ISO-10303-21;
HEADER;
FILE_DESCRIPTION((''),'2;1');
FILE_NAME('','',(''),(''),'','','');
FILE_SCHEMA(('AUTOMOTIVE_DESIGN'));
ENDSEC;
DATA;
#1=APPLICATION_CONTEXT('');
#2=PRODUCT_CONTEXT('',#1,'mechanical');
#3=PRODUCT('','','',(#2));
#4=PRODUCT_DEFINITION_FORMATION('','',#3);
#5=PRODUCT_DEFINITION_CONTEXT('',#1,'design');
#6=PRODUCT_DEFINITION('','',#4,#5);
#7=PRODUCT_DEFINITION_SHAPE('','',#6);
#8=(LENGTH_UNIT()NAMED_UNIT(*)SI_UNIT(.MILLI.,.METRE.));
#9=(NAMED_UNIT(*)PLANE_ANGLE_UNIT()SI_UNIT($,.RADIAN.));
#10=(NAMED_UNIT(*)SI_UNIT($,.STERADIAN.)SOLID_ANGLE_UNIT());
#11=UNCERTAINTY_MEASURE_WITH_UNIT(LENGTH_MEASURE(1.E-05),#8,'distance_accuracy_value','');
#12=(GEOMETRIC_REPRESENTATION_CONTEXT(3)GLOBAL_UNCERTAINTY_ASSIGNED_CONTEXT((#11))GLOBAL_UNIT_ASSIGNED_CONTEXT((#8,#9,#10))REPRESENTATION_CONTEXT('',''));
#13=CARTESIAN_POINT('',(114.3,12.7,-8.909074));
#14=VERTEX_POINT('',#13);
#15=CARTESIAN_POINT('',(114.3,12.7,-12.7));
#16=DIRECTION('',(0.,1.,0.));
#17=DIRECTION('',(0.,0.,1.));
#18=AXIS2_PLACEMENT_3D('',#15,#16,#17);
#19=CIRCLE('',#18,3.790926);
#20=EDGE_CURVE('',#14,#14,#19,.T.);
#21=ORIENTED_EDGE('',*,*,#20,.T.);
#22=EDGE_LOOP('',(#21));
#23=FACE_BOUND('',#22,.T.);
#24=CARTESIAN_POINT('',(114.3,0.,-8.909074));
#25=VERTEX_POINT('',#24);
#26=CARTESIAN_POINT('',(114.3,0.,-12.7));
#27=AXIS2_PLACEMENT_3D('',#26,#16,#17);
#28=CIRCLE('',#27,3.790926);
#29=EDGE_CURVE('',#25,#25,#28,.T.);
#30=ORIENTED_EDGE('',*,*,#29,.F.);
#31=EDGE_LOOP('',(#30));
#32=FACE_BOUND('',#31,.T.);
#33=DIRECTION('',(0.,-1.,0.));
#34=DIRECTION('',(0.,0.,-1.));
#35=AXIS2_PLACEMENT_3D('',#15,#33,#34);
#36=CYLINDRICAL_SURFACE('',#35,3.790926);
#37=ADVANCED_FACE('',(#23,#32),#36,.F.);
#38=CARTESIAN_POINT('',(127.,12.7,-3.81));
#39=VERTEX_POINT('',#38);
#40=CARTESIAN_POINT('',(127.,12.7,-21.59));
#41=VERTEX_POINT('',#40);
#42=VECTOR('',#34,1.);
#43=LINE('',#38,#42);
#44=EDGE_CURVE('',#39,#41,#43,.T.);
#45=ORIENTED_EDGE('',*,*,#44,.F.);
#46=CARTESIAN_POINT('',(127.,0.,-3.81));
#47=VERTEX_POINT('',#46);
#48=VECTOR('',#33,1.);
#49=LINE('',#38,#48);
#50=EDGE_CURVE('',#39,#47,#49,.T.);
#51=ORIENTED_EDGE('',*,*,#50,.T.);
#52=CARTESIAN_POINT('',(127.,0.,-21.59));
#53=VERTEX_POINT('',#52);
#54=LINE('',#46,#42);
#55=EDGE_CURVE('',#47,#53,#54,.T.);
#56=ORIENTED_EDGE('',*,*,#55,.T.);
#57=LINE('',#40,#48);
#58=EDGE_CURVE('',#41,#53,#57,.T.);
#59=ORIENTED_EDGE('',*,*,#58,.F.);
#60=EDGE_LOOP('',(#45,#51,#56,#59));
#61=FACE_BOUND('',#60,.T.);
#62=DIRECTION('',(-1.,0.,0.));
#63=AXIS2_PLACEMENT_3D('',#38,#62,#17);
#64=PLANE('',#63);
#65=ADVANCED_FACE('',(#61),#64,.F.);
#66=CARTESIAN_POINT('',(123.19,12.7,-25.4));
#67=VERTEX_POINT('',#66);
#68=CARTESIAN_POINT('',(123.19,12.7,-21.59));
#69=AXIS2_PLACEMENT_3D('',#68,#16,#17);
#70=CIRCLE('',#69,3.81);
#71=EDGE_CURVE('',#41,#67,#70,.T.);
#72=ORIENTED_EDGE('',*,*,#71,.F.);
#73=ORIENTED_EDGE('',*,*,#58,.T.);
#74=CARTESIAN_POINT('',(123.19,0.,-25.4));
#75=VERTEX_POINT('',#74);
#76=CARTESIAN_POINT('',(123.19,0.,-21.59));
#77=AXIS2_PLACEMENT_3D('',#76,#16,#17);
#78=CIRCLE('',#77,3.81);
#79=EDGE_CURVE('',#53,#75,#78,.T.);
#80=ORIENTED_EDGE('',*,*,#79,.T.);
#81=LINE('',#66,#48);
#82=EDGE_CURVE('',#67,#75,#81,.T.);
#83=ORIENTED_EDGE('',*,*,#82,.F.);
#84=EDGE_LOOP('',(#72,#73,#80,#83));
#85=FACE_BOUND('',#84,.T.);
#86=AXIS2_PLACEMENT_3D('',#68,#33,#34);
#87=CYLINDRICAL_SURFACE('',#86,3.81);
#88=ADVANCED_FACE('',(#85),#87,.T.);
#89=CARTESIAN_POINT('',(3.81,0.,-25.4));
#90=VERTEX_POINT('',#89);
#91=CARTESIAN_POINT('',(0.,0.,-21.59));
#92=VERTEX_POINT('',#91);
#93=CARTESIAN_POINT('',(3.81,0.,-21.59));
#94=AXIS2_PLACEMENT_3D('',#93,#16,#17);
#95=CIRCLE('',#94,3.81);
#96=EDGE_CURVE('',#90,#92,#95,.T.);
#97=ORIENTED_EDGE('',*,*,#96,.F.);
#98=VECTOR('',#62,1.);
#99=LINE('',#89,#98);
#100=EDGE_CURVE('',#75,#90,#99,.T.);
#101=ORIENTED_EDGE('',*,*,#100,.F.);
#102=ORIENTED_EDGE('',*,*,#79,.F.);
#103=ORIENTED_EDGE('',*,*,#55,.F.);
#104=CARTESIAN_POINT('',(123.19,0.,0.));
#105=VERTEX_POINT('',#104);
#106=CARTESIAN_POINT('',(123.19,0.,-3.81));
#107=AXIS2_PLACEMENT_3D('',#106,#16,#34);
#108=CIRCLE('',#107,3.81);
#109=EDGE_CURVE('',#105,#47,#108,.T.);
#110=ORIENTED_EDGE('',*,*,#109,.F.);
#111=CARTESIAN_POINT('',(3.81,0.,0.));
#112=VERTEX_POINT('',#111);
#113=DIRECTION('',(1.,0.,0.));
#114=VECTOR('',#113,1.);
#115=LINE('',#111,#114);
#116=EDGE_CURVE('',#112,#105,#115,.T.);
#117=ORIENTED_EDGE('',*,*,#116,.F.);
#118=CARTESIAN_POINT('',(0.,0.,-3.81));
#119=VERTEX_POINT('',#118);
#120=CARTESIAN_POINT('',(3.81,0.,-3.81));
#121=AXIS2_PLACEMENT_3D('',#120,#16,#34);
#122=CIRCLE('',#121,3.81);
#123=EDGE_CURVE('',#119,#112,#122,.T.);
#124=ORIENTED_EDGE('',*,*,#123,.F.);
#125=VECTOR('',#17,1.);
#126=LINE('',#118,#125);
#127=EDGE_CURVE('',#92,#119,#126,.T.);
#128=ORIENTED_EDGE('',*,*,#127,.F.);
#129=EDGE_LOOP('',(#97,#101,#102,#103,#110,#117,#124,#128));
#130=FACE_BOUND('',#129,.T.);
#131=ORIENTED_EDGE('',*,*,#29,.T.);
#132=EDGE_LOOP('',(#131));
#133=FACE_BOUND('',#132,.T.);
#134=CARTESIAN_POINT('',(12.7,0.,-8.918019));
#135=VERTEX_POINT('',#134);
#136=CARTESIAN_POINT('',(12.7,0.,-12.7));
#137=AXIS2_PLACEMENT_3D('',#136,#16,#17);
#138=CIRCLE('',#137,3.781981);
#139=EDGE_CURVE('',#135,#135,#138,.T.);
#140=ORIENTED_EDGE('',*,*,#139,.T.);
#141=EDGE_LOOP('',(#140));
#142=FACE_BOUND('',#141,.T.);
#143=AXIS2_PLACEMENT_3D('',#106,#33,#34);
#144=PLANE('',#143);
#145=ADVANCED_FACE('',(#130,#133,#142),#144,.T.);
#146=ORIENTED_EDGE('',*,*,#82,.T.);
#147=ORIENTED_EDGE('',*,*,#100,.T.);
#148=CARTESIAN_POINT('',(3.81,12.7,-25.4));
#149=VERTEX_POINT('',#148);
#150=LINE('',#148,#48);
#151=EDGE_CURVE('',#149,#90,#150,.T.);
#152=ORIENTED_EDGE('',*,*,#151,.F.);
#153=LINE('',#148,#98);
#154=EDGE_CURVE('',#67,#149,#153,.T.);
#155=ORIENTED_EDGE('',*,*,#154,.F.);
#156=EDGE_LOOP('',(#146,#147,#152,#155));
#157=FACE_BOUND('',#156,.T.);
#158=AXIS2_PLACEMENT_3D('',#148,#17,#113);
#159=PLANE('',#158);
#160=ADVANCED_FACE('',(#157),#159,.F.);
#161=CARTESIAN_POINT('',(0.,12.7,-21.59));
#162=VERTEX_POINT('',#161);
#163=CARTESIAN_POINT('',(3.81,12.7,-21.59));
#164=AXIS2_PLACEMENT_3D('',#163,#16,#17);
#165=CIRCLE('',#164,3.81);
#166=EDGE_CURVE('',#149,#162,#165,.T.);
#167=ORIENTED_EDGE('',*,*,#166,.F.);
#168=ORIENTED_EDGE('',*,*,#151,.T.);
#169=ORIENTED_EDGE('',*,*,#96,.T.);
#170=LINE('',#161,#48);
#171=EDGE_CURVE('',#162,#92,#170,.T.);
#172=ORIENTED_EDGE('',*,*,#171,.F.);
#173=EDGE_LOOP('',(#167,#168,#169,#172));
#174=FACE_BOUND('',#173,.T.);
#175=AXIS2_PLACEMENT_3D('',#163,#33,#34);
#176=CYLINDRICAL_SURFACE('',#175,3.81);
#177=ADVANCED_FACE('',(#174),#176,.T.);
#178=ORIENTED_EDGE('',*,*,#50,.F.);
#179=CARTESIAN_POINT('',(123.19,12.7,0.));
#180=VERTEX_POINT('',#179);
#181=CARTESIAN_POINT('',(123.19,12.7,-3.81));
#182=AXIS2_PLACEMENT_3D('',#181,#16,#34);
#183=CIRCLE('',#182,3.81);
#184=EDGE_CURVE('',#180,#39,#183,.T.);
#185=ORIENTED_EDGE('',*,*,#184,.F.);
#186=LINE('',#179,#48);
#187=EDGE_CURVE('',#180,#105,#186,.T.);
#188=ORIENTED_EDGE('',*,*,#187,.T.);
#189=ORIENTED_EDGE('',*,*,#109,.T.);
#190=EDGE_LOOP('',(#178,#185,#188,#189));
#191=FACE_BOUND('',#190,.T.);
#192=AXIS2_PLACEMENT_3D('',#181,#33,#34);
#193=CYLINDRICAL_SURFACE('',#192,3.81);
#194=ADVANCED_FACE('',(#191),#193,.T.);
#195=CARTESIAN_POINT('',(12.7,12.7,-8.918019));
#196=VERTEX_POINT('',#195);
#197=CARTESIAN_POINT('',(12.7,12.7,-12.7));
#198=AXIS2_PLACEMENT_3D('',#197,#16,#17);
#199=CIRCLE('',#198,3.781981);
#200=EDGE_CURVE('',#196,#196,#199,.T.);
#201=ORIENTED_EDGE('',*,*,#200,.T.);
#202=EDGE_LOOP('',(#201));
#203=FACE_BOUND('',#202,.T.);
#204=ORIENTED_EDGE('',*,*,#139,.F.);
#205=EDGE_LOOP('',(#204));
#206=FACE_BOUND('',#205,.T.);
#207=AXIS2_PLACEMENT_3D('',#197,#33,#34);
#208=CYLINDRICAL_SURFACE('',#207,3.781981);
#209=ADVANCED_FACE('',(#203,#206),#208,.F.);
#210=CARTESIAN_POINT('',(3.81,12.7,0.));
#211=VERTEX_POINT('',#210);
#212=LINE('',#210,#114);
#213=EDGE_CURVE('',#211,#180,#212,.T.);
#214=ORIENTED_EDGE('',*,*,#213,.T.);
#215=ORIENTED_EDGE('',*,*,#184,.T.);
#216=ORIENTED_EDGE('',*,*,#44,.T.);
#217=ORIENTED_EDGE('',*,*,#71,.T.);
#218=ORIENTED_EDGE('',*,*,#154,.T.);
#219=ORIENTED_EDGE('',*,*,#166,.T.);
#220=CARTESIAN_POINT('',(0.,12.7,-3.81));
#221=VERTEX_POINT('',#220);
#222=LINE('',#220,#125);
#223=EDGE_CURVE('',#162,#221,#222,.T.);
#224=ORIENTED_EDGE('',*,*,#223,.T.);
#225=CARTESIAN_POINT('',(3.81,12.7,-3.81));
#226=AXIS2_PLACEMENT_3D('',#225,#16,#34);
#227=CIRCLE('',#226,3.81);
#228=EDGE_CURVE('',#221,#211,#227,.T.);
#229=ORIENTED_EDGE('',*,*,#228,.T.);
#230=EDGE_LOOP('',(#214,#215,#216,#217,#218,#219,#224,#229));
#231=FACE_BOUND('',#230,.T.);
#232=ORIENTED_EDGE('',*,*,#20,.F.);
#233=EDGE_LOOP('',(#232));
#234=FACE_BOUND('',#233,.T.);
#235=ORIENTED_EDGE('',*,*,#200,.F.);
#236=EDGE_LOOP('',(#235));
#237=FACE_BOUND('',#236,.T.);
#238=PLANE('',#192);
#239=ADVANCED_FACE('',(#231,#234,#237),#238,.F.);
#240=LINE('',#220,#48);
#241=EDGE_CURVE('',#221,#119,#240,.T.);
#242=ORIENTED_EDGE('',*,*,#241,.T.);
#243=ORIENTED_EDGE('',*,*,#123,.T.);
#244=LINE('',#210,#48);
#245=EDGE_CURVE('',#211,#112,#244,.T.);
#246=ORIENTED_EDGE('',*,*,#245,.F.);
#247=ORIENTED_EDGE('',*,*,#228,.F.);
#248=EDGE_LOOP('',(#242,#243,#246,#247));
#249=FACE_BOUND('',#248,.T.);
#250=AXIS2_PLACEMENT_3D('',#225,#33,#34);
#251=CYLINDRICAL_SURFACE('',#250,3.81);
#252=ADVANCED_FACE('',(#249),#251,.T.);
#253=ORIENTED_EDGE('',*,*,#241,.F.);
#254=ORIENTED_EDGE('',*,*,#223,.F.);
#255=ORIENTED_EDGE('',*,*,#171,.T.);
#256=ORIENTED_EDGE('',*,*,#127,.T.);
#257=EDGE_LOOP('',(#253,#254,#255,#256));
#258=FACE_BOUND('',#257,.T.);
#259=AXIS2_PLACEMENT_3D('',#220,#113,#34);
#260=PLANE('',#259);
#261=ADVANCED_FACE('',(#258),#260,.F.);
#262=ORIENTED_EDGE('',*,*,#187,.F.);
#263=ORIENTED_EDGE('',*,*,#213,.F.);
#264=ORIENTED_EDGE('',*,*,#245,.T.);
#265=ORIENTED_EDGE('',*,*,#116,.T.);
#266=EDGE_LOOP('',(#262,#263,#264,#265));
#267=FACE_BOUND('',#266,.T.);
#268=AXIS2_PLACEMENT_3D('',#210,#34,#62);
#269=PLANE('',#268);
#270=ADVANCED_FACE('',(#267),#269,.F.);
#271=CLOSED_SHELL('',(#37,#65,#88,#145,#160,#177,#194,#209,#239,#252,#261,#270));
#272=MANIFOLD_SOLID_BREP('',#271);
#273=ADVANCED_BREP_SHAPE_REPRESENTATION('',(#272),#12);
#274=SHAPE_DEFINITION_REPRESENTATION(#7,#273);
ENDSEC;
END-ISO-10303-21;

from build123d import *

# Parameters (mm, degrees)
SKETCH1_R           = 3.78198097
SKETCH1_R_2         = 3.790926472
BOSS_EXTRUDE1_DEPTH = 12.7


with BuildPart() as part:
    # Sketch1 → Boss-Extrude1 (new body)
    with BuildSketch(Plane(origin=(0, 0, 0), x_dir=(1, 0, 0), z_dir=(0, 1, 0))):
        with BuildLine():
            Line((3.81, 0), (123.19, 0))
            ThreePointArc((123.19, 0), (125.884076836, 1.115923164), (127, 3.81))
            Line((127, 3.81), (127, 21.59))
            ThreePointArc((127, 21.59), (125.884076836, 24.284076836), (123.19, 25.4))
            Line((123.19, 25.4), (3.81, 25.4))
            ThreePointArc((3.81, 25.4), (1.115923164, 24.284076836), (0, 21.59))
            Line((0, 21.59), (0, 3.81))
            ThreePointArc((0, 3.81), (1.115923164, 1.115923164), (3.81, 0))
        make_face()
        with Locations(Location((12.7, 12.7, 0), (0, 0, 270))):
            Circle(SKETCH1_R, mode=Mode.SUBTRACT)
        with Locations(Location((114.3, 12.7, 0), (0, 0, 270))):
            Circle(SKETCH1_R_2, mode=Mode.SUBTRACT)
    extrude(amount=BOSS_EXTRUDE1_DEPTH)


solid = part.part
